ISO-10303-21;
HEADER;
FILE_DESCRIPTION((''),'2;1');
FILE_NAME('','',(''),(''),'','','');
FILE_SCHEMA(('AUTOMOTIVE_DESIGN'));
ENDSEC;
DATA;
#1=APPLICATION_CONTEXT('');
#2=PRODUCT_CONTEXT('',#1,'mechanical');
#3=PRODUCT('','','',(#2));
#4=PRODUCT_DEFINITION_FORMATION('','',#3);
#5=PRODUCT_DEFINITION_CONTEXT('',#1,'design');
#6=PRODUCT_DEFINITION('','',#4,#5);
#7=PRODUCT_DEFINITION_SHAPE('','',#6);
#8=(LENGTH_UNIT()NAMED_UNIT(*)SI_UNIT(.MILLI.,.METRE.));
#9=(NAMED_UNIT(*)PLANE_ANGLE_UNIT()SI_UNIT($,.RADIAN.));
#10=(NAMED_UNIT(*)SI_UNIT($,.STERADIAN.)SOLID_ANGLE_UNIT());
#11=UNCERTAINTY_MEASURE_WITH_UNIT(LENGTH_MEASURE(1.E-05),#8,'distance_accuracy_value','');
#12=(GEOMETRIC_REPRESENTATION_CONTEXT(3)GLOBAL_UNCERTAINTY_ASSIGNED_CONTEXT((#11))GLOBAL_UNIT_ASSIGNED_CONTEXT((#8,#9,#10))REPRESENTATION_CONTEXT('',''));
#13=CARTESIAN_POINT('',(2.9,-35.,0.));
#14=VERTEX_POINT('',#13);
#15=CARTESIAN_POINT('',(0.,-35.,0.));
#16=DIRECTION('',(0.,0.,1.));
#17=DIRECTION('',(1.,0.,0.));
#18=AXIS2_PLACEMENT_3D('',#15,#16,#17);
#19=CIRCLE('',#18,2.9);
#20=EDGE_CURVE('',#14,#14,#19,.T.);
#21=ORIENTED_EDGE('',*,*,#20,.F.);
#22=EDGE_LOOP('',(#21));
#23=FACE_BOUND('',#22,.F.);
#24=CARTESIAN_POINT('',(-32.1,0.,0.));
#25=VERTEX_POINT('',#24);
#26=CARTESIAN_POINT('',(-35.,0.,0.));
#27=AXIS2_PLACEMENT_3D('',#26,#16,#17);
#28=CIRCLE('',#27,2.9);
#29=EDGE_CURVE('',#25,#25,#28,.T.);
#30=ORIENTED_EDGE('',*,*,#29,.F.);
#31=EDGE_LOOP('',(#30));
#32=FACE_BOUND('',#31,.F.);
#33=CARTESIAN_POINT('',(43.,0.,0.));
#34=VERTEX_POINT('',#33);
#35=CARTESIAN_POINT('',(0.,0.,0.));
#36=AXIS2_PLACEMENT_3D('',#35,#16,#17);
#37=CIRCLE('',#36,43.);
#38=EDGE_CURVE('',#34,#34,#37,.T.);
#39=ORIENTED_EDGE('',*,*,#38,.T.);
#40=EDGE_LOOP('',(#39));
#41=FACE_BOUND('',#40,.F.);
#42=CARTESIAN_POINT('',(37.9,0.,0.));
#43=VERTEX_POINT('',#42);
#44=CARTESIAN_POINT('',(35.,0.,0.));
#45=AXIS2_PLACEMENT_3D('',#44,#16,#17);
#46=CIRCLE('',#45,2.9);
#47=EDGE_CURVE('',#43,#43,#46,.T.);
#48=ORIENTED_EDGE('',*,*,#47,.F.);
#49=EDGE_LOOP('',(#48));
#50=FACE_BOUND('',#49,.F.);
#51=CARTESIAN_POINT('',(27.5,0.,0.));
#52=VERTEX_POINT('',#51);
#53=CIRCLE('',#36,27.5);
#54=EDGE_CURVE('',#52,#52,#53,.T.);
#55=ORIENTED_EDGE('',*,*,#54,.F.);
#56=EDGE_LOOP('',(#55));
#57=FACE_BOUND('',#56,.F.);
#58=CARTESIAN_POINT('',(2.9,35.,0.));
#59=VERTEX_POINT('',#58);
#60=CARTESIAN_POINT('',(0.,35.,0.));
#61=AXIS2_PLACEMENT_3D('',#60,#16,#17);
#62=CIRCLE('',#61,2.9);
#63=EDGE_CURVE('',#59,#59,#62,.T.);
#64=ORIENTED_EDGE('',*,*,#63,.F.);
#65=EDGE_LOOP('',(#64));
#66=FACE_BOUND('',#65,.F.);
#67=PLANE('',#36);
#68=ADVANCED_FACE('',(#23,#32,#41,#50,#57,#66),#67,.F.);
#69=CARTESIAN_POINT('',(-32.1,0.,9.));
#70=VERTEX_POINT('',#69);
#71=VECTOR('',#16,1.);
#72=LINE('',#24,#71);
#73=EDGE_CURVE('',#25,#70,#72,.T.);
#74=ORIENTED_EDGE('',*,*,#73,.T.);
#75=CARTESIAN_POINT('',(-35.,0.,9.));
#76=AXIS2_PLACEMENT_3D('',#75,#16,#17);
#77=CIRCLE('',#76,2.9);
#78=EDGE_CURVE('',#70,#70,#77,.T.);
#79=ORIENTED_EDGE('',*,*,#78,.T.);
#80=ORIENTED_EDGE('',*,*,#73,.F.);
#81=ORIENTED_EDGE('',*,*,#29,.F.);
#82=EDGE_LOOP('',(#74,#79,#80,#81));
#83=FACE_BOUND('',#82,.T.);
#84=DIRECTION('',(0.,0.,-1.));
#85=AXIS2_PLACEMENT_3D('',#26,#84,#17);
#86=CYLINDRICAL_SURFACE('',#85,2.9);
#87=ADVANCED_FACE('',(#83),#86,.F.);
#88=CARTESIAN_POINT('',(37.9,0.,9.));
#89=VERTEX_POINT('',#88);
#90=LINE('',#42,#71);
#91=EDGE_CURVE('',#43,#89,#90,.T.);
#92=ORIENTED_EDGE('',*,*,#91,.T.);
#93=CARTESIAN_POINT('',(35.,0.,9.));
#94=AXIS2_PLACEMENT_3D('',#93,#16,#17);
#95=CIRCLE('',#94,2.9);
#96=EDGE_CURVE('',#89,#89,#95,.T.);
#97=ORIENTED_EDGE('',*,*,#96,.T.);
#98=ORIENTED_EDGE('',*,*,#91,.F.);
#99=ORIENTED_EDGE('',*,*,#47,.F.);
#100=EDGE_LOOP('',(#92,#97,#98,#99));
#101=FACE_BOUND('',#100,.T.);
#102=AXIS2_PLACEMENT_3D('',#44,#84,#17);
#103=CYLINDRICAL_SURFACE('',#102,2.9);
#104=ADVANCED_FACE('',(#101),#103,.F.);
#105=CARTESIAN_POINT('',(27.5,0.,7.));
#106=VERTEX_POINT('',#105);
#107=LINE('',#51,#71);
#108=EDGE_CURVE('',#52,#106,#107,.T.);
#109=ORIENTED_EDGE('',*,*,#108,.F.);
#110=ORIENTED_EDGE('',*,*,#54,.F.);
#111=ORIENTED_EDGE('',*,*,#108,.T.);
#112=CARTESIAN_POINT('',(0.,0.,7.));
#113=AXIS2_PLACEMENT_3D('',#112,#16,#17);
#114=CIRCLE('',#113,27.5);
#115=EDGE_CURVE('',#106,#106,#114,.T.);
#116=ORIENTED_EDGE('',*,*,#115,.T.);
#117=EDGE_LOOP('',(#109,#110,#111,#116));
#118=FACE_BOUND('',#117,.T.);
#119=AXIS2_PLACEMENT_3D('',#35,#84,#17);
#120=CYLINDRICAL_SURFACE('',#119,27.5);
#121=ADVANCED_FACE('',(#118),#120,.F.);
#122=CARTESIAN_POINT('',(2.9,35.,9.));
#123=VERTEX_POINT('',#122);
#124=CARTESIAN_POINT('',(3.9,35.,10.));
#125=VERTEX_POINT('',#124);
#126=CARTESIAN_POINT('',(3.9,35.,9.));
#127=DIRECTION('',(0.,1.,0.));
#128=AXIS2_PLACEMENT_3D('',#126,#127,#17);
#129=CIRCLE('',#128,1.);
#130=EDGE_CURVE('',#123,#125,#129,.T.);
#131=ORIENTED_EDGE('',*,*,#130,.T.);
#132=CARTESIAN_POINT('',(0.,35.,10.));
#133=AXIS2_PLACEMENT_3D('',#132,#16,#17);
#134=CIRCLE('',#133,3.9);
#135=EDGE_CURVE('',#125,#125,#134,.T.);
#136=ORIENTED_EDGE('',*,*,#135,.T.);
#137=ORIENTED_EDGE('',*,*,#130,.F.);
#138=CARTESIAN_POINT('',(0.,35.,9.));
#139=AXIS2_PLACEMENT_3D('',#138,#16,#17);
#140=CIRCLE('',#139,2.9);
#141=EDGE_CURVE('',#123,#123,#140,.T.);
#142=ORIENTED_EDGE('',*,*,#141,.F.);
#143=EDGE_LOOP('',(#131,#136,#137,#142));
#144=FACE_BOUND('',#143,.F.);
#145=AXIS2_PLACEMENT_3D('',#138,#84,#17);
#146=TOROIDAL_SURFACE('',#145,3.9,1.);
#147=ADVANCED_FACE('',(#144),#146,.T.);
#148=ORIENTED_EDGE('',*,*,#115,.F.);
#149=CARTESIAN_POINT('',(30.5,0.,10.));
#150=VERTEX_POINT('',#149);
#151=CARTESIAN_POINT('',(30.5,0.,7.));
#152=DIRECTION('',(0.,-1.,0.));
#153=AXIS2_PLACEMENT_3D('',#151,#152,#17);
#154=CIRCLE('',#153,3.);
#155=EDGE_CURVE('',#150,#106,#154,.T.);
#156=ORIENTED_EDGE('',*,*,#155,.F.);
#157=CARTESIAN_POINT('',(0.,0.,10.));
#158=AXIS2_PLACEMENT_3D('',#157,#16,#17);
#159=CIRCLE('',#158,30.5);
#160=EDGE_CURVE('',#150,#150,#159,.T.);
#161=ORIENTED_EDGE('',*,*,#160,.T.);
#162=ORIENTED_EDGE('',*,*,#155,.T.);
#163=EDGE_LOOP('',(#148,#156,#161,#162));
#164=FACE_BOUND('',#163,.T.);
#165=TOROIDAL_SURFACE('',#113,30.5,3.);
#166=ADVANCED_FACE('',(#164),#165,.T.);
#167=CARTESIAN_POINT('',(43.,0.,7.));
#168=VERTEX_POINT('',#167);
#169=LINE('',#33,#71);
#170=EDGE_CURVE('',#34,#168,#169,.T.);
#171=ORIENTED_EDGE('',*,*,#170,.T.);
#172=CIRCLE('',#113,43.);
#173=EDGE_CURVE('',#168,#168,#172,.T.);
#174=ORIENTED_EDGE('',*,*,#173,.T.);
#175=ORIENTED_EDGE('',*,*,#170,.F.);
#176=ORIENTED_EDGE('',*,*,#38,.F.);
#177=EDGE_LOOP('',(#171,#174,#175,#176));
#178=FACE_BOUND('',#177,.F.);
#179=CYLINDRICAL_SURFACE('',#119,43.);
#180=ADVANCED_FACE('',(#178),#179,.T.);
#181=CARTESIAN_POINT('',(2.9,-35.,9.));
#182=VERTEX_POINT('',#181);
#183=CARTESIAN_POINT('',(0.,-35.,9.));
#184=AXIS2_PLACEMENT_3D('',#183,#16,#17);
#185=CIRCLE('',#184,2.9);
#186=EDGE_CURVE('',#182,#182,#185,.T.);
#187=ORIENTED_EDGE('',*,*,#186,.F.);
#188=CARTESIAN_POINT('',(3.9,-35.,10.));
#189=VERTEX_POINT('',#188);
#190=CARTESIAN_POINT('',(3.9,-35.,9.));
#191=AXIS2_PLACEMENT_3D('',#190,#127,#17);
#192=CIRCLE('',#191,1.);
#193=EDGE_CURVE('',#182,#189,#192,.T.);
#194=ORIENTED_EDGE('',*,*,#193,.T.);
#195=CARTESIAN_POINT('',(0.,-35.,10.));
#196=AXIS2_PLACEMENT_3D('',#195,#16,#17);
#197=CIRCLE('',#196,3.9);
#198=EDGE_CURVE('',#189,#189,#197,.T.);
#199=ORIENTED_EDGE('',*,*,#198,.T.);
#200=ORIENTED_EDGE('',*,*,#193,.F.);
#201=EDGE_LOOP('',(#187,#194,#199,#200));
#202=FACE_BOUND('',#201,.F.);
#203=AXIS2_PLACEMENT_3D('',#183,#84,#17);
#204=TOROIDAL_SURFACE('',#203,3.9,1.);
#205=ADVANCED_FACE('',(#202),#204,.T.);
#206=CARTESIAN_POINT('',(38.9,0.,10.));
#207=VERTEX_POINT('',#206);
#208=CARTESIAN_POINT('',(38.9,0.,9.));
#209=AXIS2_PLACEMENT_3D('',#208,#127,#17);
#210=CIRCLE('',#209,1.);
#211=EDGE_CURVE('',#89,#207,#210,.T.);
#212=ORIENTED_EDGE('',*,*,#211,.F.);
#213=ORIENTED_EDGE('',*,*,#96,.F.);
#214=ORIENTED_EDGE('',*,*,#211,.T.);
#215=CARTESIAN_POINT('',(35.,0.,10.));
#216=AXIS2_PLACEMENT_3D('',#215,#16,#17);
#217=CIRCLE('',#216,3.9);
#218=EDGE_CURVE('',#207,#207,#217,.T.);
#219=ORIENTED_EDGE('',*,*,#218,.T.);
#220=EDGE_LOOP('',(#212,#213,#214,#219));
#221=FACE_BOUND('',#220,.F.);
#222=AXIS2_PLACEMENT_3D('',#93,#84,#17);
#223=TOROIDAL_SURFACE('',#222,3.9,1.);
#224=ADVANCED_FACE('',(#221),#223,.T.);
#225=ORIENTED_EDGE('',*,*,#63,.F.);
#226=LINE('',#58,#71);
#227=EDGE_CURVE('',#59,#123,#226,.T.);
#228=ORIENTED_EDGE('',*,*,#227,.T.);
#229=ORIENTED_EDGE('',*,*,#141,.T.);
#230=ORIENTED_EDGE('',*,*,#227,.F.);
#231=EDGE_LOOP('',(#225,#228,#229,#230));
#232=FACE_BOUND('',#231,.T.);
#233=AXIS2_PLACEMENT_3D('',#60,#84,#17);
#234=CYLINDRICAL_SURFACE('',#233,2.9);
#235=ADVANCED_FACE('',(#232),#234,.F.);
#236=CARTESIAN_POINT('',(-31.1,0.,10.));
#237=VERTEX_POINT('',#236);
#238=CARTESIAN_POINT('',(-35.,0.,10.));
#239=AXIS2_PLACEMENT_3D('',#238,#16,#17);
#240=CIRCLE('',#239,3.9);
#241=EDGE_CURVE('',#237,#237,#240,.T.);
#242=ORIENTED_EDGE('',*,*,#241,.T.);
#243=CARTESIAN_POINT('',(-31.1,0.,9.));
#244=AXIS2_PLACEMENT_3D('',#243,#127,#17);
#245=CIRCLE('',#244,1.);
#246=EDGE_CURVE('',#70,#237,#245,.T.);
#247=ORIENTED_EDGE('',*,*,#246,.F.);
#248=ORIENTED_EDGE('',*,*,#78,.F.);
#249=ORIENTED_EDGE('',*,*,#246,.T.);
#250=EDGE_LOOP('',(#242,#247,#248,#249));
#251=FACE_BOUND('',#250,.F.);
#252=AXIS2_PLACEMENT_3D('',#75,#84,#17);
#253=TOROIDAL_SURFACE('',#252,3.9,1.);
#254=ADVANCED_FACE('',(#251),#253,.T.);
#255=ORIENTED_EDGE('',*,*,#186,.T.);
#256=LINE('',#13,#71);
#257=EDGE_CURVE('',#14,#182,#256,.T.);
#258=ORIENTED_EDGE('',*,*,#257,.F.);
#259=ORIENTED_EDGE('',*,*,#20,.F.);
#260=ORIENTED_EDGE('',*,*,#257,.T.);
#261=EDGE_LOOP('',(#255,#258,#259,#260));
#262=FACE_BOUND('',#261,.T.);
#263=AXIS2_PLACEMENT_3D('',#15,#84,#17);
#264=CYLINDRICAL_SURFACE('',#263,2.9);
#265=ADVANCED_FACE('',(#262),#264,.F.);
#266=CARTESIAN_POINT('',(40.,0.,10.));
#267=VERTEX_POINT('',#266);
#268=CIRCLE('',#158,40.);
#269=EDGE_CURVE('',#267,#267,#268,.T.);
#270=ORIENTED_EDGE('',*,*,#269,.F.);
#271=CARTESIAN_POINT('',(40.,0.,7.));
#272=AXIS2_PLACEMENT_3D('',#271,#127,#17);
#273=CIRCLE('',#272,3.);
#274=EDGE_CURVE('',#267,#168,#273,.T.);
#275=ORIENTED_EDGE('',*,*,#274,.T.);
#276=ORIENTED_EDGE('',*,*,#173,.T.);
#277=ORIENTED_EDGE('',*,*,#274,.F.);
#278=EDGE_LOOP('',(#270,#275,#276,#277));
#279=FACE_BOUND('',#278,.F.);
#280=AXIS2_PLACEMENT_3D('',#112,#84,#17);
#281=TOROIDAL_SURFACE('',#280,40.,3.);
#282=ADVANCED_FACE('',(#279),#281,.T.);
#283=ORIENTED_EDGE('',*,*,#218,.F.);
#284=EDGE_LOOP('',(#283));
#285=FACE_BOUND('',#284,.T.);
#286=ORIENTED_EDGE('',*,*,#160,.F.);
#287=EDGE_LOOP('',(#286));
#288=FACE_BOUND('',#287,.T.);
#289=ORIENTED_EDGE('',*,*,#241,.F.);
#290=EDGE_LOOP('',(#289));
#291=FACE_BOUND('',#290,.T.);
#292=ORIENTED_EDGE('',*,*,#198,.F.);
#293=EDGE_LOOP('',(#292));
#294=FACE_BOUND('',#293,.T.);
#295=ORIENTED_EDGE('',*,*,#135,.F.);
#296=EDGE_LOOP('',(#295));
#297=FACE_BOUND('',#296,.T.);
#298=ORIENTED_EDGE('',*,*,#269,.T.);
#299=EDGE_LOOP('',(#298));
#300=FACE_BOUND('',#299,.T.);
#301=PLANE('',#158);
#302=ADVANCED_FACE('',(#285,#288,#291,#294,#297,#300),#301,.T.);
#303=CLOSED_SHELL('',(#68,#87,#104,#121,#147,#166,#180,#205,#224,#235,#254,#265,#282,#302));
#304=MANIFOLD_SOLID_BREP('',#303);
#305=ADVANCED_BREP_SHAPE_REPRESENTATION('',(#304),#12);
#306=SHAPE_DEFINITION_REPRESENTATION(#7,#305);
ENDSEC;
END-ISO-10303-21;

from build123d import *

# Parameters (mm, degrees)
SKETCH_R    = 43
SKETCH_R_2  = 2.9
SKETCH_R_3  = 27.5
PAD_DEPTH   = 10
FILLET_R    = 1
FILLET001_R = 3


with BuildPart() as part:
    # Sketch → Pad (new body)
    with BuildSketch(Plane.XY):
        Circle(SKETCH_R)
        with Locations((0, 35)):
            Circle(SKETCH_R_2, mode=Mode.SUBTRACT)
        with Locations((35, 0)):
            Circle(SKETCH_R_2, mode=Mode.SUBTRACT)
        with Locations((0, -35)):
            Circle(SKETCH_R_2, mode=Mode.SUBTRACT)
        with Locations((-35, 0)):
            Circle(SKETCH_R_2, mode=Mode.SUBTRACT)
        Circle(SKETCH_R_3, mode=Mode.SUBTRACT)
    extrude(amount=PAD_DEPTH)

    # Fillet
    fillet_edges = [part.edges().sort_by_distance(p)[0] for p in [
        (-37.9, 0, 10),
        (-2.9, 35, 10),
        (32.1, 0, 10),
        (-2.9, -35, 10),
    ]]
    fillet(fillet_edges, radius=FILLET_R)

    # Fillet001
    fillet001_edges = [part.edges().sort_by_distance(p)[0] for p in [
        (-27.5, 0, 10),
        (-43, 0, 10),
    ]]
    fillet(fillet001_edges, radius=FILLET001_R)


solid = part.part
